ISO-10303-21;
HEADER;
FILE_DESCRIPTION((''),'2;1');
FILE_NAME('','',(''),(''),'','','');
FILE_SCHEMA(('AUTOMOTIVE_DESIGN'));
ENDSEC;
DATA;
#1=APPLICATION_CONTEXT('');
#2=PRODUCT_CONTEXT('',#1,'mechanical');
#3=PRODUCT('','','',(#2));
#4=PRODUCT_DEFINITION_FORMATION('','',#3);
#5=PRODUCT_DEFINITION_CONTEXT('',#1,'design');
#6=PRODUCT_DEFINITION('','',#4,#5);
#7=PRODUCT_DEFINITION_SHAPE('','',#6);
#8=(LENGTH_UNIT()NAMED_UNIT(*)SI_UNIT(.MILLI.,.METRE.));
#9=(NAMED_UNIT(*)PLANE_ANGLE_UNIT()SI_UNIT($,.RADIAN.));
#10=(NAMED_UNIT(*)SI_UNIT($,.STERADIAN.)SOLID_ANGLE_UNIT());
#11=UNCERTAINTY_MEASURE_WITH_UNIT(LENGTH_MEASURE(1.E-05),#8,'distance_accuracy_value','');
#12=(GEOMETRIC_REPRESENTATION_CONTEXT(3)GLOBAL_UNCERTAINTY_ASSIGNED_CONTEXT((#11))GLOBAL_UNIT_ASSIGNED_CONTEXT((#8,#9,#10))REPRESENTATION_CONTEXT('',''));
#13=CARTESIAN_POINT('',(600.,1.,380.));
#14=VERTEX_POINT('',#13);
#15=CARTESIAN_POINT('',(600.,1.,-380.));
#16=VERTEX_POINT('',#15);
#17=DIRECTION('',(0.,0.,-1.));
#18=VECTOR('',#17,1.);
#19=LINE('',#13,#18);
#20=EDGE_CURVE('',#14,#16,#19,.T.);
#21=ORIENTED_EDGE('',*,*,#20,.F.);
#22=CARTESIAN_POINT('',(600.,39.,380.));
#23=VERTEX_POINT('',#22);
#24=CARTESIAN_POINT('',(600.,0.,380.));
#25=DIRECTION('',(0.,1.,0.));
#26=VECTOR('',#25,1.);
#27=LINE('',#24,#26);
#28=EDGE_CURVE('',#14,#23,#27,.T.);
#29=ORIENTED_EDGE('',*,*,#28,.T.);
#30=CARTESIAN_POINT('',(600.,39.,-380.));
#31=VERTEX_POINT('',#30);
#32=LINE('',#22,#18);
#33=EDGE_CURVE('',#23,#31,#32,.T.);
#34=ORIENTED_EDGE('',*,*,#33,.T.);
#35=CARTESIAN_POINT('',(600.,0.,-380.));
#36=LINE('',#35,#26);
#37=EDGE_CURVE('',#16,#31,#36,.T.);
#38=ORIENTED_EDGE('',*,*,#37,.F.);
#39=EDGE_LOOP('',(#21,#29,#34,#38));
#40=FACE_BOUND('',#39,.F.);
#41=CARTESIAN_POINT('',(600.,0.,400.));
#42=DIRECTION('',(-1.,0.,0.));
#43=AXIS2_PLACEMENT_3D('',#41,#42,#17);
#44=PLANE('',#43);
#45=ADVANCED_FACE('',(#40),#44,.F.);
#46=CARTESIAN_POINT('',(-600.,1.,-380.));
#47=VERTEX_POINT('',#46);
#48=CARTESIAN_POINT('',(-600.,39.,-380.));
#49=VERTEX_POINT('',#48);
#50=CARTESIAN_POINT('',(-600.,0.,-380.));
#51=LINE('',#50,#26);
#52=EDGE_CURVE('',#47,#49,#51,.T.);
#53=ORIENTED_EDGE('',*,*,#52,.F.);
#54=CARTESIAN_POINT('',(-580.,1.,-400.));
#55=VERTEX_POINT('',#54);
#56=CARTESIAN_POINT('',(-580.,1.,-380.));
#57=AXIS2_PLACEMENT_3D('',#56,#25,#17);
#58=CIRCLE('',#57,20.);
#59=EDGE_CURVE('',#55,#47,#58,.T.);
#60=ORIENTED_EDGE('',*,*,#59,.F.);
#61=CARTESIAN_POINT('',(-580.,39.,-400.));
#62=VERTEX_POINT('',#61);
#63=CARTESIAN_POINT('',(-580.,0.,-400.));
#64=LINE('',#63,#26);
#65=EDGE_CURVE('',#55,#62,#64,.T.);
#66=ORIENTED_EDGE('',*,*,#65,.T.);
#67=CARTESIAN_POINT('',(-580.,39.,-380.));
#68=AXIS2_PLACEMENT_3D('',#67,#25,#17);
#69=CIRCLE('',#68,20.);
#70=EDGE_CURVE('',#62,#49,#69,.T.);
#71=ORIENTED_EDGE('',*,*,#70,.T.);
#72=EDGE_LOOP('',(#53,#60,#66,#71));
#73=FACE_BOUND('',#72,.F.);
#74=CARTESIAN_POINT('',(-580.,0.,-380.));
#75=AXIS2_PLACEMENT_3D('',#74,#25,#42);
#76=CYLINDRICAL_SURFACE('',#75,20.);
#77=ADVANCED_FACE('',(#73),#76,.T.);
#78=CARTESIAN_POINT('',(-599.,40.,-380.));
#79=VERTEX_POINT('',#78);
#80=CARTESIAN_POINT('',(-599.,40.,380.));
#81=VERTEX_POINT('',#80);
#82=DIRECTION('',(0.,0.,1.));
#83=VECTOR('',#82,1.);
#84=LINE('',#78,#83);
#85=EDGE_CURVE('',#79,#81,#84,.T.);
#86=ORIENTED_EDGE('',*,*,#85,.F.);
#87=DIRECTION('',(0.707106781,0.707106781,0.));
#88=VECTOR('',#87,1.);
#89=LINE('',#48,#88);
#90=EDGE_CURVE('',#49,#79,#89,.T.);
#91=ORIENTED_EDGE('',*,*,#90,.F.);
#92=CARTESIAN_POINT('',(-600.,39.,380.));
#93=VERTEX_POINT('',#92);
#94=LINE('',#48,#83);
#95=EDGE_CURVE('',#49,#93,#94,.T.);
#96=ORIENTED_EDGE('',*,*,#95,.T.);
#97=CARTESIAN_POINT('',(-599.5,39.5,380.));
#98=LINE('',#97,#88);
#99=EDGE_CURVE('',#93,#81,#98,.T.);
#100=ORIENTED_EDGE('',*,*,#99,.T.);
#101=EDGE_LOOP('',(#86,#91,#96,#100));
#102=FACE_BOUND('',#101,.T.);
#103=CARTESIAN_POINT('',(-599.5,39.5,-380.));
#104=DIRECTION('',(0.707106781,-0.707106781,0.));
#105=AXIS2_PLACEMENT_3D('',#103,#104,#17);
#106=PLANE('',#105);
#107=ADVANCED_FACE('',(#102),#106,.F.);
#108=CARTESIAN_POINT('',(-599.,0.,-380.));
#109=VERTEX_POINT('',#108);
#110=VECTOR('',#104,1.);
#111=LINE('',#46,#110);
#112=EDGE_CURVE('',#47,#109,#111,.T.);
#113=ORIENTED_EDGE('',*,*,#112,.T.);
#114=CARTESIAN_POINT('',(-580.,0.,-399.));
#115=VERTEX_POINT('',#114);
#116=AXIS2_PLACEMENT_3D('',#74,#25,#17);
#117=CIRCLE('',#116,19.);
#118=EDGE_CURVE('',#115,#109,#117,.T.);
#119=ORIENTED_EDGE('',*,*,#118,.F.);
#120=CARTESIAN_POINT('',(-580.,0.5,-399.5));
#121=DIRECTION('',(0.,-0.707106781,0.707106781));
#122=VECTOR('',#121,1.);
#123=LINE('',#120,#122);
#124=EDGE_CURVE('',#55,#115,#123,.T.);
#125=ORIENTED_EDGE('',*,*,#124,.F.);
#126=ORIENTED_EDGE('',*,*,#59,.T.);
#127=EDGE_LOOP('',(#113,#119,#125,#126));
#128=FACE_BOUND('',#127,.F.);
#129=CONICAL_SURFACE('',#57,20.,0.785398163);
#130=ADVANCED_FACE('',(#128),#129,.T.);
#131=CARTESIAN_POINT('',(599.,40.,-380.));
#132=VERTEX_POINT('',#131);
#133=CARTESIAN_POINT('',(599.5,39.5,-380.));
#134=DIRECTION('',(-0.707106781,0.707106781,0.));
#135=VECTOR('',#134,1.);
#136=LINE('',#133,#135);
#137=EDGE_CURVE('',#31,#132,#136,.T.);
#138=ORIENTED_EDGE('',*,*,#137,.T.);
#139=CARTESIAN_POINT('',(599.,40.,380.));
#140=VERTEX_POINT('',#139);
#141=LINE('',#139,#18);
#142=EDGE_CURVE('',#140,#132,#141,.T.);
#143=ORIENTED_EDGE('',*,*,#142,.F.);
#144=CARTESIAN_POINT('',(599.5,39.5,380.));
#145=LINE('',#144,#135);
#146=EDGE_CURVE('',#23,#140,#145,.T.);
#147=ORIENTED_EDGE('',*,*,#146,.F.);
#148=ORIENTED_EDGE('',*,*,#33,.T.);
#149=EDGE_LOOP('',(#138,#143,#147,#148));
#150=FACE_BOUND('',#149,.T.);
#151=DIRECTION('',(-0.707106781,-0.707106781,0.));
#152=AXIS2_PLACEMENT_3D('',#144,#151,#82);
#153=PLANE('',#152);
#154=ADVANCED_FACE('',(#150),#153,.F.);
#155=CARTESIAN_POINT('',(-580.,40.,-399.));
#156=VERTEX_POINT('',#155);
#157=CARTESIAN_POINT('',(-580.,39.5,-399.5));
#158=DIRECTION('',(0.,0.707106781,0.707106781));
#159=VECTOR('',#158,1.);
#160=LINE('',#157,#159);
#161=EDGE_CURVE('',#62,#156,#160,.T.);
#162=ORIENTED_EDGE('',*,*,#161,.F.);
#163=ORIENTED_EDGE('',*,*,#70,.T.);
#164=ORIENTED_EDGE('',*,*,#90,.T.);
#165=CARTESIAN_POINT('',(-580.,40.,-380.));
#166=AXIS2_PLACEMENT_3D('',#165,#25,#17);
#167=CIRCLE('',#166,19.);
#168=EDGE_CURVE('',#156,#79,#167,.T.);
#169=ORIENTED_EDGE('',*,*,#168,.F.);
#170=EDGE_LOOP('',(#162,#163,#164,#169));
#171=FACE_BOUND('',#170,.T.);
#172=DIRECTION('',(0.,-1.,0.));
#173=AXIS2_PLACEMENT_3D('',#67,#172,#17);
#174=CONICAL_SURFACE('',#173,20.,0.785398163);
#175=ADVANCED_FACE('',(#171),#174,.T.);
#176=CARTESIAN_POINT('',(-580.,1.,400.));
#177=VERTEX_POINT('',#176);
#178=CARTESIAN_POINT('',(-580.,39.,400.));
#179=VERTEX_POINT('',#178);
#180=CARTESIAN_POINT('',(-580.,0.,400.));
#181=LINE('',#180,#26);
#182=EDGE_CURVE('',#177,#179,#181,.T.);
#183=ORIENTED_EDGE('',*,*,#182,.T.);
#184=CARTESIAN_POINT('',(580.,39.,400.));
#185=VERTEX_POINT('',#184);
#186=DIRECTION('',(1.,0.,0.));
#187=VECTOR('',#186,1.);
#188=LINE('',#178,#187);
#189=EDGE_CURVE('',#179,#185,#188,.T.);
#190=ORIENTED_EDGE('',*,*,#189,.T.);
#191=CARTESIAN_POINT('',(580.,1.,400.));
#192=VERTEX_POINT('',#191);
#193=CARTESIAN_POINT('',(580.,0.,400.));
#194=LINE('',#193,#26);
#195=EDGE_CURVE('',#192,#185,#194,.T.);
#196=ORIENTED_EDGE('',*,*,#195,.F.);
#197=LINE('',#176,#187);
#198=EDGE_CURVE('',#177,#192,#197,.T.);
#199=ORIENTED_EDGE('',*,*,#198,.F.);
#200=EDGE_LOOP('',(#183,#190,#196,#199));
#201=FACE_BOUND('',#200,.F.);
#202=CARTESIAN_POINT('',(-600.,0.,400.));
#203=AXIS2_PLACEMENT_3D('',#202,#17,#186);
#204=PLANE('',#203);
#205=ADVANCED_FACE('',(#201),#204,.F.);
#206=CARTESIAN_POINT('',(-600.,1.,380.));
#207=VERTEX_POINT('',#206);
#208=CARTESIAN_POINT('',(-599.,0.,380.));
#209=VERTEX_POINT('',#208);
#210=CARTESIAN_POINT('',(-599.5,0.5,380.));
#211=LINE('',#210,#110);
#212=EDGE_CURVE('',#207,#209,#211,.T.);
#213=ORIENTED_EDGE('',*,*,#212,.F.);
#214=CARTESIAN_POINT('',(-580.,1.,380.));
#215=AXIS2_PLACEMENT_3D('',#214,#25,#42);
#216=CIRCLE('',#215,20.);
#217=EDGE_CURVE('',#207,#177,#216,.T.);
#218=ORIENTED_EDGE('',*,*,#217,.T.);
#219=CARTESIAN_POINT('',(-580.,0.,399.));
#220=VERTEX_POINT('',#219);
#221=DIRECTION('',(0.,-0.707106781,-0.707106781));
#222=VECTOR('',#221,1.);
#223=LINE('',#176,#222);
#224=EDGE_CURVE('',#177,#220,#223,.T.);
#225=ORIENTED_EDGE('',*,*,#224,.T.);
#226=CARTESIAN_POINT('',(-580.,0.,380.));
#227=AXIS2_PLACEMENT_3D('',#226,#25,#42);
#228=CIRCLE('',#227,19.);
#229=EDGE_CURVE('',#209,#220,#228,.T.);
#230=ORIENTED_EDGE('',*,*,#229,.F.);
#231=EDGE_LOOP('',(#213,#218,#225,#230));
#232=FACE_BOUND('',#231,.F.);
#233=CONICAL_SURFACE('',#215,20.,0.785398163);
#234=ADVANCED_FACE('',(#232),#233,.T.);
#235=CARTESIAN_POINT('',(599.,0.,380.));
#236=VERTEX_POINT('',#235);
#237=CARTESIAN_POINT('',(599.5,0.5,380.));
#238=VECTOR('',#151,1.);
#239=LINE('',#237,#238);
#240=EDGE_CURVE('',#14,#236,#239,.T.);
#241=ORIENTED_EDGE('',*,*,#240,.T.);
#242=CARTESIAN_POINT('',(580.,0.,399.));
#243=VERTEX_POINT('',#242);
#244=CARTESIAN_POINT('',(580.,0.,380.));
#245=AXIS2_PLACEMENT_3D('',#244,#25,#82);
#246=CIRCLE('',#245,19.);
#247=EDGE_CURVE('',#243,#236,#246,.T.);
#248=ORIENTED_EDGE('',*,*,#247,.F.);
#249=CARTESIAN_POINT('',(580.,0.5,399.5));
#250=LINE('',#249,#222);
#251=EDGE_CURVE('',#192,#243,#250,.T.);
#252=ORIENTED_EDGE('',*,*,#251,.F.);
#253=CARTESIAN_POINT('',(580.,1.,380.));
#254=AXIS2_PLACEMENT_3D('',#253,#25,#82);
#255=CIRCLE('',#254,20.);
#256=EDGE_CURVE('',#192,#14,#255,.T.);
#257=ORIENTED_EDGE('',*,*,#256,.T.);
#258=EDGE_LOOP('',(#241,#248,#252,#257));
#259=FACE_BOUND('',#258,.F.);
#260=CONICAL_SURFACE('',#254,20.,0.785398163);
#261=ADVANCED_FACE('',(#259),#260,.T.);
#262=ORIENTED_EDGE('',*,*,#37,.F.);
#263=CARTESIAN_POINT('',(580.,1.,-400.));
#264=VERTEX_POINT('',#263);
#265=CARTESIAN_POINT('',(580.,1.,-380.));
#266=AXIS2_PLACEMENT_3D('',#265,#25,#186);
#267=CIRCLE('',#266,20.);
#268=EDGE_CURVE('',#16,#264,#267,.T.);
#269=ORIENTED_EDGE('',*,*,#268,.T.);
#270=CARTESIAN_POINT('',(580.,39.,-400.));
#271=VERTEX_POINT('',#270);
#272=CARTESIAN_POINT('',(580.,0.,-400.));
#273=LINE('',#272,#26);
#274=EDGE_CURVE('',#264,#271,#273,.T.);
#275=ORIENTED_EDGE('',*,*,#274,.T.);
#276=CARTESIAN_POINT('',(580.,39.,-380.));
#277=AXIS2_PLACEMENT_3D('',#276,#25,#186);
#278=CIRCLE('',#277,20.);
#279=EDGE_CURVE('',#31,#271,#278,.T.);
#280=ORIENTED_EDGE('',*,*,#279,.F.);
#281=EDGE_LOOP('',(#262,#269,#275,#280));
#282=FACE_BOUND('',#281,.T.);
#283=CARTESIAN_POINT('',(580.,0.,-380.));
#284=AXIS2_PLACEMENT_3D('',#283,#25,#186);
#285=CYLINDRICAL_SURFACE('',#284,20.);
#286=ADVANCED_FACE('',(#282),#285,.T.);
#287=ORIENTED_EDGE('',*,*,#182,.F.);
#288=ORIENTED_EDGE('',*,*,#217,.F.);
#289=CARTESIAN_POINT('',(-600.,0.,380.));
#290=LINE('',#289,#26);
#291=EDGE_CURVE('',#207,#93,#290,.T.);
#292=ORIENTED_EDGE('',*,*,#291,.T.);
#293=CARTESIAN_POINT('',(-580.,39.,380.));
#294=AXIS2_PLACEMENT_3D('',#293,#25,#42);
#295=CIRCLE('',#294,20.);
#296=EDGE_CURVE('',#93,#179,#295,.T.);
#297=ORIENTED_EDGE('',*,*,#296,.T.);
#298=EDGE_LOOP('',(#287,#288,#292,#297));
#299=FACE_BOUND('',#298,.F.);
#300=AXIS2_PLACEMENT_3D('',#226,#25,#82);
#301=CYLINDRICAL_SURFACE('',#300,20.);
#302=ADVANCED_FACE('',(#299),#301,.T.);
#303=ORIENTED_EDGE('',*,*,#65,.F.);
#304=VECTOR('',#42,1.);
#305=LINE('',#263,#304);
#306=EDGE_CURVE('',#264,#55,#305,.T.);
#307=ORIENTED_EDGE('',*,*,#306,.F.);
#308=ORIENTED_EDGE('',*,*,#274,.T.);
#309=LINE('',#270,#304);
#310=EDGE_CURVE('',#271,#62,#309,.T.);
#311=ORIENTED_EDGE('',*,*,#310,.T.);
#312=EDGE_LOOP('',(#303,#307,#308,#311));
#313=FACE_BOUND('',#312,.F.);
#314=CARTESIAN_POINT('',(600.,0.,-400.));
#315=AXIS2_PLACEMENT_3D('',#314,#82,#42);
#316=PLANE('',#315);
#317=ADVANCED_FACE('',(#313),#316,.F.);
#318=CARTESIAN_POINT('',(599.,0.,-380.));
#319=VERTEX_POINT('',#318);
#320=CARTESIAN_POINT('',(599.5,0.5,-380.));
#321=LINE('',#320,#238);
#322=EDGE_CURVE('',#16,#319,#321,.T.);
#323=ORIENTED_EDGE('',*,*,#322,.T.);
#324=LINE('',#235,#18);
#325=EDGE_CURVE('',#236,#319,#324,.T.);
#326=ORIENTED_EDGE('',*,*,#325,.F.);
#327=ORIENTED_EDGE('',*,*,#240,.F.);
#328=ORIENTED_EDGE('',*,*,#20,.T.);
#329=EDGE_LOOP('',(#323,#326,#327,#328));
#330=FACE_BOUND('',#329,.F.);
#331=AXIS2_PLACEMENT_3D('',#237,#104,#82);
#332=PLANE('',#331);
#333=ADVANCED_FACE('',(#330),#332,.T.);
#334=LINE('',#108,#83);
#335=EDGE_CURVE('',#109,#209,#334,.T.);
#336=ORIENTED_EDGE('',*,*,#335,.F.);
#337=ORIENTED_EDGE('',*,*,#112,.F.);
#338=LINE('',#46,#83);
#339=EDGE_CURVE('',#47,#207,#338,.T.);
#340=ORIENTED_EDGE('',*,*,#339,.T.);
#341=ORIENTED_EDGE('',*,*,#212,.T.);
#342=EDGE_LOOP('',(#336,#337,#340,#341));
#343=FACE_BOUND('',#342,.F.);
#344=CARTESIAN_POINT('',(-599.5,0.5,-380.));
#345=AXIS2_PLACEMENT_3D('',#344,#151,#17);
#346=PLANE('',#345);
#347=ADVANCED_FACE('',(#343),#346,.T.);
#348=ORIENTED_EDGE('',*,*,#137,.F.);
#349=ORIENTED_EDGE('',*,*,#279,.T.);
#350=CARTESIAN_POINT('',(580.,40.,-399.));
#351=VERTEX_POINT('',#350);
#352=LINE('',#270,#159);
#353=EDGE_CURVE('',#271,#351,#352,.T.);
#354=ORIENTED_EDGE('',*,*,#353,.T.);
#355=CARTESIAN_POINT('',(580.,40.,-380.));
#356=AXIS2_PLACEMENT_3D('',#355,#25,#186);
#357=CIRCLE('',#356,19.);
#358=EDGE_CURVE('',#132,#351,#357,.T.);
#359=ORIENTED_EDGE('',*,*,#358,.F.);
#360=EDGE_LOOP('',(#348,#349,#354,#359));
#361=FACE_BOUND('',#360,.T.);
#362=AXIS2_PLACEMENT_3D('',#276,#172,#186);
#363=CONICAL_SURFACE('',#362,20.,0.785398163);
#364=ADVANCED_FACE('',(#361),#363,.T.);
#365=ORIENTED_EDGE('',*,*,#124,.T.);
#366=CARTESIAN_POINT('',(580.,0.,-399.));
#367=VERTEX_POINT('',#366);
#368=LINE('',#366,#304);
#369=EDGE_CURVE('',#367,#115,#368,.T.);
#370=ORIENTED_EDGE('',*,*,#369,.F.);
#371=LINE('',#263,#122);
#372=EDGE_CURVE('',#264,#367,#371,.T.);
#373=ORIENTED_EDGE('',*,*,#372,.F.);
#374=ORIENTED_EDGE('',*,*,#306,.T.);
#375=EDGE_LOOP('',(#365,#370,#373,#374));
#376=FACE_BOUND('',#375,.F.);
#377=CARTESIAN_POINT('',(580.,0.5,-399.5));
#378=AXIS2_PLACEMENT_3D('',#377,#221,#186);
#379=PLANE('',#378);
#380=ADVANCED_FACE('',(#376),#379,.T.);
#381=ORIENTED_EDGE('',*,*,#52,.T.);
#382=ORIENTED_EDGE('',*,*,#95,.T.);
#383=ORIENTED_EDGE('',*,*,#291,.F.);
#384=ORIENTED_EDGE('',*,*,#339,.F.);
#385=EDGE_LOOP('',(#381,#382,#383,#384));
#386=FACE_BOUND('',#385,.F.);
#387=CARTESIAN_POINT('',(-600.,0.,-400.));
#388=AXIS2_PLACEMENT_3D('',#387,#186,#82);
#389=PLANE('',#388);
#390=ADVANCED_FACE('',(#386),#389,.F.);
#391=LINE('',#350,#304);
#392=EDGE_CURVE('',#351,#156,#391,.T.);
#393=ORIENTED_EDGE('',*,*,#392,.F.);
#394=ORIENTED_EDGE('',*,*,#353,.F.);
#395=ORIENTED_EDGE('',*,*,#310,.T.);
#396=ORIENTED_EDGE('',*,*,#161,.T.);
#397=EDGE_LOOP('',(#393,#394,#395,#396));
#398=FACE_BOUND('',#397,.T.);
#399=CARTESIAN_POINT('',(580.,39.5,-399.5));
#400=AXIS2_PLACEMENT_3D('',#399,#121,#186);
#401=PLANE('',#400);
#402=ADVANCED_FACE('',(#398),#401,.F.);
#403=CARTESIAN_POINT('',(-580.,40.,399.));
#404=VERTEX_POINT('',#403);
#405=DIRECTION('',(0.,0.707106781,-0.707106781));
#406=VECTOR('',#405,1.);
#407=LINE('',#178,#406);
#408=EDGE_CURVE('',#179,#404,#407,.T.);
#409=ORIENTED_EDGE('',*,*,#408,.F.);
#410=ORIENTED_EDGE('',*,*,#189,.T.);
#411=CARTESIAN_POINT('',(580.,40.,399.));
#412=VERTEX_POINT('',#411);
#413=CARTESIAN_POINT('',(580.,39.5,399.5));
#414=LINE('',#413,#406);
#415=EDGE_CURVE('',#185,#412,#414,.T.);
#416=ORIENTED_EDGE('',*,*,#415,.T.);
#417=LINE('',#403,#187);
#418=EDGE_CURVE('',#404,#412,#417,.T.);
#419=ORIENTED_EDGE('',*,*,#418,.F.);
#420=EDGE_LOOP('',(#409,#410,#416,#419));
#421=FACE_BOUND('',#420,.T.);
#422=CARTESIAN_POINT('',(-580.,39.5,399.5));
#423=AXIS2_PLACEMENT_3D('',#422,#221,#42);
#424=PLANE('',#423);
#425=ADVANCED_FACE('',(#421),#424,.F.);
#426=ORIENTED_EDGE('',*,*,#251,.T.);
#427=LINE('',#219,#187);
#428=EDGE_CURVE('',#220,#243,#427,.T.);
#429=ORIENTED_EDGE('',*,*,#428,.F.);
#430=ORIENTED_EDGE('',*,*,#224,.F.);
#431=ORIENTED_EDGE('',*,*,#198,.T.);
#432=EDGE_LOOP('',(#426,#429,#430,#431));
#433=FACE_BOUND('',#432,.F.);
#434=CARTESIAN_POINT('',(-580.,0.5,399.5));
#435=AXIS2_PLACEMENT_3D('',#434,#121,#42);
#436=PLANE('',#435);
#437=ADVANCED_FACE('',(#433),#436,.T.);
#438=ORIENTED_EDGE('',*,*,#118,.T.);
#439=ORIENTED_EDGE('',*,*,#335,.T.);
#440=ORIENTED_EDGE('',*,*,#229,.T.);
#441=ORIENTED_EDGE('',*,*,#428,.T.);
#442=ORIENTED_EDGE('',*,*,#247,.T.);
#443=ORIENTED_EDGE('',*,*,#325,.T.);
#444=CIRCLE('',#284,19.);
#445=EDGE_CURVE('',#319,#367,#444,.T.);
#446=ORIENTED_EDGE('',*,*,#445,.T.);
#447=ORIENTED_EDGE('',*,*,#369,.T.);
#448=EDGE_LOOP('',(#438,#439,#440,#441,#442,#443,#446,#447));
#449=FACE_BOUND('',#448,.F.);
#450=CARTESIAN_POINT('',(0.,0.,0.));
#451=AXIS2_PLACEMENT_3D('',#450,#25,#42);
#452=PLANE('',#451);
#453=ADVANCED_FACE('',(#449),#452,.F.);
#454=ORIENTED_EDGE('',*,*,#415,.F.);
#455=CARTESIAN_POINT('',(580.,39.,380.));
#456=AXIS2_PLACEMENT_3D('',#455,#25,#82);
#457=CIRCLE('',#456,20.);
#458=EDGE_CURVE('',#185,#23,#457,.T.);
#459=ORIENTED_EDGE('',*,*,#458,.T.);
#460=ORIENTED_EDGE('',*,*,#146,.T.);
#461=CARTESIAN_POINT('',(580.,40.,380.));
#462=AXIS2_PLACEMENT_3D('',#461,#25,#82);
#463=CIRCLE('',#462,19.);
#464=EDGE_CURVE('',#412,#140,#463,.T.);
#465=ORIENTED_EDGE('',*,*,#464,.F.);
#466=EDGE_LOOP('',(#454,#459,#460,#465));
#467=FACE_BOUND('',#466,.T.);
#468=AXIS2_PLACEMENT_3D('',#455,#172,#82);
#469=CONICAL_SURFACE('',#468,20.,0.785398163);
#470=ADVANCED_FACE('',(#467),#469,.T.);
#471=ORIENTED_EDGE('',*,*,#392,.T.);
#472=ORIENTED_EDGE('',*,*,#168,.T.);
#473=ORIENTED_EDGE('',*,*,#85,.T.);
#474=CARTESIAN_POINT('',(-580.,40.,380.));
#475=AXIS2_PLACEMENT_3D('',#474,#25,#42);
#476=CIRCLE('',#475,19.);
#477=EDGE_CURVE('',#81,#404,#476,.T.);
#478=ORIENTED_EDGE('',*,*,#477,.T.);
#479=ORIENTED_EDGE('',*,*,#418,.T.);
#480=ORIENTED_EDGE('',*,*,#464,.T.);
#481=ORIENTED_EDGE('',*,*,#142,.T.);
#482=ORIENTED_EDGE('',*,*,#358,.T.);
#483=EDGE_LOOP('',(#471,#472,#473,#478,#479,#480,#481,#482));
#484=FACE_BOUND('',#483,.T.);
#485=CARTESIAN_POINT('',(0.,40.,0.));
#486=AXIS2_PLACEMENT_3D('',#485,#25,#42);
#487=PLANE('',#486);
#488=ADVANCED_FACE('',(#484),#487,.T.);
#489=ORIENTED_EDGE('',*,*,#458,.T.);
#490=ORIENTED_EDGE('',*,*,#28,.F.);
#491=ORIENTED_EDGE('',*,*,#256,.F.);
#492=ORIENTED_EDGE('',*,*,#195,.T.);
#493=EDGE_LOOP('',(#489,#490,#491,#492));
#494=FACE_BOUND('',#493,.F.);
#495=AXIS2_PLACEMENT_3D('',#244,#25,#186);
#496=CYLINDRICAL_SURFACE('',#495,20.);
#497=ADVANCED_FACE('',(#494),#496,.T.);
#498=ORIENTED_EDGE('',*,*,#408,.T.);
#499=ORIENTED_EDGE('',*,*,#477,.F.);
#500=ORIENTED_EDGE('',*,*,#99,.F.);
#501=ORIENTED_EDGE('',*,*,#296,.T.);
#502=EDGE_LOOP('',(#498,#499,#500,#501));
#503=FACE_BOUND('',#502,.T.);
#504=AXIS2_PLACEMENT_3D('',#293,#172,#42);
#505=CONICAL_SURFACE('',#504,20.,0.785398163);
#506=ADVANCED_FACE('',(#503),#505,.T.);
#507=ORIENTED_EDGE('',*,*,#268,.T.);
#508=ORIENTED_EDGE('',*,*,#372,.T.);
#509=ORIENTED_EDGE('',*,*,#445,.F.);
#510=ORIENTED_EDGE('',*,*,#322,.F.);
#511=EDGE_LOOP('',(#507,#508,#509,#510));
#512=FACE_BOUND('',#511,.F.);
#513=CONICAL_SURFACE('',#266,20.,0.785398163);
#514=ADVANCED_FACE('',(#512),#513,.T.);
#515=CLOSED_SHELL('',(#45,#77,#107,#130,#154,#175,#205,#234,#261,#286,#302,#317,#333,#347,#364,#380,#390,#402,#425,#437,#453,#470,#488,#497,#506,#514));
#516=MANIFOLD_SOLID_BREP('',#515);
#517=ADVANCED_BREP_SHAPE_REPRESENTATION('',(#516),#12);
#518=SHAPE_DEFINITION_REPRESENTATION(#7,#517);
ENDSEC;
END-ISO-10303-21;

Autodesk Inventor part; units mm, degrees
ref_plane "YZ Plane" through (0, 0, 0) normal (1, 0, 0) x (0, 1, 0)
ref_plane "XZ Plane" through (0, 0, 0) normal (0, 1, 0) x (-1, 0, 0)
ref_plane "XY Plane" through (0, 0, 0) normal (0, 0, 1) x (1, 0, 0)
sketch "Sketch1" plane through (0, 0, 0) normal (0, 1, 0) x (-1, 0, 0)
  line L0 (-600, -400) -> (600, -400)
  line L1 (600, -400) -> (600, 400)
  line L2 (600, 400) -> (-600, 400)
  line L3 (-600, 400) -> (-600, -400)
  line L4 (-600, -400) -> (600, 400) construction
  line L5 (600, -400) -> (-600, 400) construction
  point P0 (0, 0)
  dimension "height" = 1200
  dimension "width" = 800
extrude "Extrusion1" add sketch "Sketch1" along normal blind 40
fillet "Fillet1" radius 20 4 edges at (600, 20, -400) (600, 20, 400) (-600, 20, 400) (-600, 20, -400)
chamfer "Chamfer3" distance 1 angle 45 16 edges at (600, 0, 0) (594.1421, 0, -394.1421) (0, 0, -400) (-594.1421, 0, -394.1421) (-600, 0, 0) (-594.1421, 0, 394.1421) (0, 0, 400) (594.1421, 0, 394.1421) (600, 40, 0) (594.1421, 40, -394.1421) (0, 40, -400) (-594.1421, 40, -394.1421) (-600, 40, 0) (-594.1421, 40, 394.1421) (0, 40, 400) (594.1421, 40, 394.1421)
sketch "Sketch2" plane through (0, 40, 0) normal (0, 1, 0) x (1, 0, 0)
  point P0 (0, 0)
equation "\"height\" = height_user"
equation "\"width\" = width_user"
equation "\"thickness\" = thickness_user"
equation "\"radius\" = radius_user"
equation "\"chamfer\" = chamfer_user"
equation "\"height_user\" = 1200"
equation "\"width_user\" = 800"
equation "\"thickness_user\" = 40"
equation "\"chamfer_user\" = 1"
equation "\"radius_user\" = 20"
properties part number "readDataFromDB"
